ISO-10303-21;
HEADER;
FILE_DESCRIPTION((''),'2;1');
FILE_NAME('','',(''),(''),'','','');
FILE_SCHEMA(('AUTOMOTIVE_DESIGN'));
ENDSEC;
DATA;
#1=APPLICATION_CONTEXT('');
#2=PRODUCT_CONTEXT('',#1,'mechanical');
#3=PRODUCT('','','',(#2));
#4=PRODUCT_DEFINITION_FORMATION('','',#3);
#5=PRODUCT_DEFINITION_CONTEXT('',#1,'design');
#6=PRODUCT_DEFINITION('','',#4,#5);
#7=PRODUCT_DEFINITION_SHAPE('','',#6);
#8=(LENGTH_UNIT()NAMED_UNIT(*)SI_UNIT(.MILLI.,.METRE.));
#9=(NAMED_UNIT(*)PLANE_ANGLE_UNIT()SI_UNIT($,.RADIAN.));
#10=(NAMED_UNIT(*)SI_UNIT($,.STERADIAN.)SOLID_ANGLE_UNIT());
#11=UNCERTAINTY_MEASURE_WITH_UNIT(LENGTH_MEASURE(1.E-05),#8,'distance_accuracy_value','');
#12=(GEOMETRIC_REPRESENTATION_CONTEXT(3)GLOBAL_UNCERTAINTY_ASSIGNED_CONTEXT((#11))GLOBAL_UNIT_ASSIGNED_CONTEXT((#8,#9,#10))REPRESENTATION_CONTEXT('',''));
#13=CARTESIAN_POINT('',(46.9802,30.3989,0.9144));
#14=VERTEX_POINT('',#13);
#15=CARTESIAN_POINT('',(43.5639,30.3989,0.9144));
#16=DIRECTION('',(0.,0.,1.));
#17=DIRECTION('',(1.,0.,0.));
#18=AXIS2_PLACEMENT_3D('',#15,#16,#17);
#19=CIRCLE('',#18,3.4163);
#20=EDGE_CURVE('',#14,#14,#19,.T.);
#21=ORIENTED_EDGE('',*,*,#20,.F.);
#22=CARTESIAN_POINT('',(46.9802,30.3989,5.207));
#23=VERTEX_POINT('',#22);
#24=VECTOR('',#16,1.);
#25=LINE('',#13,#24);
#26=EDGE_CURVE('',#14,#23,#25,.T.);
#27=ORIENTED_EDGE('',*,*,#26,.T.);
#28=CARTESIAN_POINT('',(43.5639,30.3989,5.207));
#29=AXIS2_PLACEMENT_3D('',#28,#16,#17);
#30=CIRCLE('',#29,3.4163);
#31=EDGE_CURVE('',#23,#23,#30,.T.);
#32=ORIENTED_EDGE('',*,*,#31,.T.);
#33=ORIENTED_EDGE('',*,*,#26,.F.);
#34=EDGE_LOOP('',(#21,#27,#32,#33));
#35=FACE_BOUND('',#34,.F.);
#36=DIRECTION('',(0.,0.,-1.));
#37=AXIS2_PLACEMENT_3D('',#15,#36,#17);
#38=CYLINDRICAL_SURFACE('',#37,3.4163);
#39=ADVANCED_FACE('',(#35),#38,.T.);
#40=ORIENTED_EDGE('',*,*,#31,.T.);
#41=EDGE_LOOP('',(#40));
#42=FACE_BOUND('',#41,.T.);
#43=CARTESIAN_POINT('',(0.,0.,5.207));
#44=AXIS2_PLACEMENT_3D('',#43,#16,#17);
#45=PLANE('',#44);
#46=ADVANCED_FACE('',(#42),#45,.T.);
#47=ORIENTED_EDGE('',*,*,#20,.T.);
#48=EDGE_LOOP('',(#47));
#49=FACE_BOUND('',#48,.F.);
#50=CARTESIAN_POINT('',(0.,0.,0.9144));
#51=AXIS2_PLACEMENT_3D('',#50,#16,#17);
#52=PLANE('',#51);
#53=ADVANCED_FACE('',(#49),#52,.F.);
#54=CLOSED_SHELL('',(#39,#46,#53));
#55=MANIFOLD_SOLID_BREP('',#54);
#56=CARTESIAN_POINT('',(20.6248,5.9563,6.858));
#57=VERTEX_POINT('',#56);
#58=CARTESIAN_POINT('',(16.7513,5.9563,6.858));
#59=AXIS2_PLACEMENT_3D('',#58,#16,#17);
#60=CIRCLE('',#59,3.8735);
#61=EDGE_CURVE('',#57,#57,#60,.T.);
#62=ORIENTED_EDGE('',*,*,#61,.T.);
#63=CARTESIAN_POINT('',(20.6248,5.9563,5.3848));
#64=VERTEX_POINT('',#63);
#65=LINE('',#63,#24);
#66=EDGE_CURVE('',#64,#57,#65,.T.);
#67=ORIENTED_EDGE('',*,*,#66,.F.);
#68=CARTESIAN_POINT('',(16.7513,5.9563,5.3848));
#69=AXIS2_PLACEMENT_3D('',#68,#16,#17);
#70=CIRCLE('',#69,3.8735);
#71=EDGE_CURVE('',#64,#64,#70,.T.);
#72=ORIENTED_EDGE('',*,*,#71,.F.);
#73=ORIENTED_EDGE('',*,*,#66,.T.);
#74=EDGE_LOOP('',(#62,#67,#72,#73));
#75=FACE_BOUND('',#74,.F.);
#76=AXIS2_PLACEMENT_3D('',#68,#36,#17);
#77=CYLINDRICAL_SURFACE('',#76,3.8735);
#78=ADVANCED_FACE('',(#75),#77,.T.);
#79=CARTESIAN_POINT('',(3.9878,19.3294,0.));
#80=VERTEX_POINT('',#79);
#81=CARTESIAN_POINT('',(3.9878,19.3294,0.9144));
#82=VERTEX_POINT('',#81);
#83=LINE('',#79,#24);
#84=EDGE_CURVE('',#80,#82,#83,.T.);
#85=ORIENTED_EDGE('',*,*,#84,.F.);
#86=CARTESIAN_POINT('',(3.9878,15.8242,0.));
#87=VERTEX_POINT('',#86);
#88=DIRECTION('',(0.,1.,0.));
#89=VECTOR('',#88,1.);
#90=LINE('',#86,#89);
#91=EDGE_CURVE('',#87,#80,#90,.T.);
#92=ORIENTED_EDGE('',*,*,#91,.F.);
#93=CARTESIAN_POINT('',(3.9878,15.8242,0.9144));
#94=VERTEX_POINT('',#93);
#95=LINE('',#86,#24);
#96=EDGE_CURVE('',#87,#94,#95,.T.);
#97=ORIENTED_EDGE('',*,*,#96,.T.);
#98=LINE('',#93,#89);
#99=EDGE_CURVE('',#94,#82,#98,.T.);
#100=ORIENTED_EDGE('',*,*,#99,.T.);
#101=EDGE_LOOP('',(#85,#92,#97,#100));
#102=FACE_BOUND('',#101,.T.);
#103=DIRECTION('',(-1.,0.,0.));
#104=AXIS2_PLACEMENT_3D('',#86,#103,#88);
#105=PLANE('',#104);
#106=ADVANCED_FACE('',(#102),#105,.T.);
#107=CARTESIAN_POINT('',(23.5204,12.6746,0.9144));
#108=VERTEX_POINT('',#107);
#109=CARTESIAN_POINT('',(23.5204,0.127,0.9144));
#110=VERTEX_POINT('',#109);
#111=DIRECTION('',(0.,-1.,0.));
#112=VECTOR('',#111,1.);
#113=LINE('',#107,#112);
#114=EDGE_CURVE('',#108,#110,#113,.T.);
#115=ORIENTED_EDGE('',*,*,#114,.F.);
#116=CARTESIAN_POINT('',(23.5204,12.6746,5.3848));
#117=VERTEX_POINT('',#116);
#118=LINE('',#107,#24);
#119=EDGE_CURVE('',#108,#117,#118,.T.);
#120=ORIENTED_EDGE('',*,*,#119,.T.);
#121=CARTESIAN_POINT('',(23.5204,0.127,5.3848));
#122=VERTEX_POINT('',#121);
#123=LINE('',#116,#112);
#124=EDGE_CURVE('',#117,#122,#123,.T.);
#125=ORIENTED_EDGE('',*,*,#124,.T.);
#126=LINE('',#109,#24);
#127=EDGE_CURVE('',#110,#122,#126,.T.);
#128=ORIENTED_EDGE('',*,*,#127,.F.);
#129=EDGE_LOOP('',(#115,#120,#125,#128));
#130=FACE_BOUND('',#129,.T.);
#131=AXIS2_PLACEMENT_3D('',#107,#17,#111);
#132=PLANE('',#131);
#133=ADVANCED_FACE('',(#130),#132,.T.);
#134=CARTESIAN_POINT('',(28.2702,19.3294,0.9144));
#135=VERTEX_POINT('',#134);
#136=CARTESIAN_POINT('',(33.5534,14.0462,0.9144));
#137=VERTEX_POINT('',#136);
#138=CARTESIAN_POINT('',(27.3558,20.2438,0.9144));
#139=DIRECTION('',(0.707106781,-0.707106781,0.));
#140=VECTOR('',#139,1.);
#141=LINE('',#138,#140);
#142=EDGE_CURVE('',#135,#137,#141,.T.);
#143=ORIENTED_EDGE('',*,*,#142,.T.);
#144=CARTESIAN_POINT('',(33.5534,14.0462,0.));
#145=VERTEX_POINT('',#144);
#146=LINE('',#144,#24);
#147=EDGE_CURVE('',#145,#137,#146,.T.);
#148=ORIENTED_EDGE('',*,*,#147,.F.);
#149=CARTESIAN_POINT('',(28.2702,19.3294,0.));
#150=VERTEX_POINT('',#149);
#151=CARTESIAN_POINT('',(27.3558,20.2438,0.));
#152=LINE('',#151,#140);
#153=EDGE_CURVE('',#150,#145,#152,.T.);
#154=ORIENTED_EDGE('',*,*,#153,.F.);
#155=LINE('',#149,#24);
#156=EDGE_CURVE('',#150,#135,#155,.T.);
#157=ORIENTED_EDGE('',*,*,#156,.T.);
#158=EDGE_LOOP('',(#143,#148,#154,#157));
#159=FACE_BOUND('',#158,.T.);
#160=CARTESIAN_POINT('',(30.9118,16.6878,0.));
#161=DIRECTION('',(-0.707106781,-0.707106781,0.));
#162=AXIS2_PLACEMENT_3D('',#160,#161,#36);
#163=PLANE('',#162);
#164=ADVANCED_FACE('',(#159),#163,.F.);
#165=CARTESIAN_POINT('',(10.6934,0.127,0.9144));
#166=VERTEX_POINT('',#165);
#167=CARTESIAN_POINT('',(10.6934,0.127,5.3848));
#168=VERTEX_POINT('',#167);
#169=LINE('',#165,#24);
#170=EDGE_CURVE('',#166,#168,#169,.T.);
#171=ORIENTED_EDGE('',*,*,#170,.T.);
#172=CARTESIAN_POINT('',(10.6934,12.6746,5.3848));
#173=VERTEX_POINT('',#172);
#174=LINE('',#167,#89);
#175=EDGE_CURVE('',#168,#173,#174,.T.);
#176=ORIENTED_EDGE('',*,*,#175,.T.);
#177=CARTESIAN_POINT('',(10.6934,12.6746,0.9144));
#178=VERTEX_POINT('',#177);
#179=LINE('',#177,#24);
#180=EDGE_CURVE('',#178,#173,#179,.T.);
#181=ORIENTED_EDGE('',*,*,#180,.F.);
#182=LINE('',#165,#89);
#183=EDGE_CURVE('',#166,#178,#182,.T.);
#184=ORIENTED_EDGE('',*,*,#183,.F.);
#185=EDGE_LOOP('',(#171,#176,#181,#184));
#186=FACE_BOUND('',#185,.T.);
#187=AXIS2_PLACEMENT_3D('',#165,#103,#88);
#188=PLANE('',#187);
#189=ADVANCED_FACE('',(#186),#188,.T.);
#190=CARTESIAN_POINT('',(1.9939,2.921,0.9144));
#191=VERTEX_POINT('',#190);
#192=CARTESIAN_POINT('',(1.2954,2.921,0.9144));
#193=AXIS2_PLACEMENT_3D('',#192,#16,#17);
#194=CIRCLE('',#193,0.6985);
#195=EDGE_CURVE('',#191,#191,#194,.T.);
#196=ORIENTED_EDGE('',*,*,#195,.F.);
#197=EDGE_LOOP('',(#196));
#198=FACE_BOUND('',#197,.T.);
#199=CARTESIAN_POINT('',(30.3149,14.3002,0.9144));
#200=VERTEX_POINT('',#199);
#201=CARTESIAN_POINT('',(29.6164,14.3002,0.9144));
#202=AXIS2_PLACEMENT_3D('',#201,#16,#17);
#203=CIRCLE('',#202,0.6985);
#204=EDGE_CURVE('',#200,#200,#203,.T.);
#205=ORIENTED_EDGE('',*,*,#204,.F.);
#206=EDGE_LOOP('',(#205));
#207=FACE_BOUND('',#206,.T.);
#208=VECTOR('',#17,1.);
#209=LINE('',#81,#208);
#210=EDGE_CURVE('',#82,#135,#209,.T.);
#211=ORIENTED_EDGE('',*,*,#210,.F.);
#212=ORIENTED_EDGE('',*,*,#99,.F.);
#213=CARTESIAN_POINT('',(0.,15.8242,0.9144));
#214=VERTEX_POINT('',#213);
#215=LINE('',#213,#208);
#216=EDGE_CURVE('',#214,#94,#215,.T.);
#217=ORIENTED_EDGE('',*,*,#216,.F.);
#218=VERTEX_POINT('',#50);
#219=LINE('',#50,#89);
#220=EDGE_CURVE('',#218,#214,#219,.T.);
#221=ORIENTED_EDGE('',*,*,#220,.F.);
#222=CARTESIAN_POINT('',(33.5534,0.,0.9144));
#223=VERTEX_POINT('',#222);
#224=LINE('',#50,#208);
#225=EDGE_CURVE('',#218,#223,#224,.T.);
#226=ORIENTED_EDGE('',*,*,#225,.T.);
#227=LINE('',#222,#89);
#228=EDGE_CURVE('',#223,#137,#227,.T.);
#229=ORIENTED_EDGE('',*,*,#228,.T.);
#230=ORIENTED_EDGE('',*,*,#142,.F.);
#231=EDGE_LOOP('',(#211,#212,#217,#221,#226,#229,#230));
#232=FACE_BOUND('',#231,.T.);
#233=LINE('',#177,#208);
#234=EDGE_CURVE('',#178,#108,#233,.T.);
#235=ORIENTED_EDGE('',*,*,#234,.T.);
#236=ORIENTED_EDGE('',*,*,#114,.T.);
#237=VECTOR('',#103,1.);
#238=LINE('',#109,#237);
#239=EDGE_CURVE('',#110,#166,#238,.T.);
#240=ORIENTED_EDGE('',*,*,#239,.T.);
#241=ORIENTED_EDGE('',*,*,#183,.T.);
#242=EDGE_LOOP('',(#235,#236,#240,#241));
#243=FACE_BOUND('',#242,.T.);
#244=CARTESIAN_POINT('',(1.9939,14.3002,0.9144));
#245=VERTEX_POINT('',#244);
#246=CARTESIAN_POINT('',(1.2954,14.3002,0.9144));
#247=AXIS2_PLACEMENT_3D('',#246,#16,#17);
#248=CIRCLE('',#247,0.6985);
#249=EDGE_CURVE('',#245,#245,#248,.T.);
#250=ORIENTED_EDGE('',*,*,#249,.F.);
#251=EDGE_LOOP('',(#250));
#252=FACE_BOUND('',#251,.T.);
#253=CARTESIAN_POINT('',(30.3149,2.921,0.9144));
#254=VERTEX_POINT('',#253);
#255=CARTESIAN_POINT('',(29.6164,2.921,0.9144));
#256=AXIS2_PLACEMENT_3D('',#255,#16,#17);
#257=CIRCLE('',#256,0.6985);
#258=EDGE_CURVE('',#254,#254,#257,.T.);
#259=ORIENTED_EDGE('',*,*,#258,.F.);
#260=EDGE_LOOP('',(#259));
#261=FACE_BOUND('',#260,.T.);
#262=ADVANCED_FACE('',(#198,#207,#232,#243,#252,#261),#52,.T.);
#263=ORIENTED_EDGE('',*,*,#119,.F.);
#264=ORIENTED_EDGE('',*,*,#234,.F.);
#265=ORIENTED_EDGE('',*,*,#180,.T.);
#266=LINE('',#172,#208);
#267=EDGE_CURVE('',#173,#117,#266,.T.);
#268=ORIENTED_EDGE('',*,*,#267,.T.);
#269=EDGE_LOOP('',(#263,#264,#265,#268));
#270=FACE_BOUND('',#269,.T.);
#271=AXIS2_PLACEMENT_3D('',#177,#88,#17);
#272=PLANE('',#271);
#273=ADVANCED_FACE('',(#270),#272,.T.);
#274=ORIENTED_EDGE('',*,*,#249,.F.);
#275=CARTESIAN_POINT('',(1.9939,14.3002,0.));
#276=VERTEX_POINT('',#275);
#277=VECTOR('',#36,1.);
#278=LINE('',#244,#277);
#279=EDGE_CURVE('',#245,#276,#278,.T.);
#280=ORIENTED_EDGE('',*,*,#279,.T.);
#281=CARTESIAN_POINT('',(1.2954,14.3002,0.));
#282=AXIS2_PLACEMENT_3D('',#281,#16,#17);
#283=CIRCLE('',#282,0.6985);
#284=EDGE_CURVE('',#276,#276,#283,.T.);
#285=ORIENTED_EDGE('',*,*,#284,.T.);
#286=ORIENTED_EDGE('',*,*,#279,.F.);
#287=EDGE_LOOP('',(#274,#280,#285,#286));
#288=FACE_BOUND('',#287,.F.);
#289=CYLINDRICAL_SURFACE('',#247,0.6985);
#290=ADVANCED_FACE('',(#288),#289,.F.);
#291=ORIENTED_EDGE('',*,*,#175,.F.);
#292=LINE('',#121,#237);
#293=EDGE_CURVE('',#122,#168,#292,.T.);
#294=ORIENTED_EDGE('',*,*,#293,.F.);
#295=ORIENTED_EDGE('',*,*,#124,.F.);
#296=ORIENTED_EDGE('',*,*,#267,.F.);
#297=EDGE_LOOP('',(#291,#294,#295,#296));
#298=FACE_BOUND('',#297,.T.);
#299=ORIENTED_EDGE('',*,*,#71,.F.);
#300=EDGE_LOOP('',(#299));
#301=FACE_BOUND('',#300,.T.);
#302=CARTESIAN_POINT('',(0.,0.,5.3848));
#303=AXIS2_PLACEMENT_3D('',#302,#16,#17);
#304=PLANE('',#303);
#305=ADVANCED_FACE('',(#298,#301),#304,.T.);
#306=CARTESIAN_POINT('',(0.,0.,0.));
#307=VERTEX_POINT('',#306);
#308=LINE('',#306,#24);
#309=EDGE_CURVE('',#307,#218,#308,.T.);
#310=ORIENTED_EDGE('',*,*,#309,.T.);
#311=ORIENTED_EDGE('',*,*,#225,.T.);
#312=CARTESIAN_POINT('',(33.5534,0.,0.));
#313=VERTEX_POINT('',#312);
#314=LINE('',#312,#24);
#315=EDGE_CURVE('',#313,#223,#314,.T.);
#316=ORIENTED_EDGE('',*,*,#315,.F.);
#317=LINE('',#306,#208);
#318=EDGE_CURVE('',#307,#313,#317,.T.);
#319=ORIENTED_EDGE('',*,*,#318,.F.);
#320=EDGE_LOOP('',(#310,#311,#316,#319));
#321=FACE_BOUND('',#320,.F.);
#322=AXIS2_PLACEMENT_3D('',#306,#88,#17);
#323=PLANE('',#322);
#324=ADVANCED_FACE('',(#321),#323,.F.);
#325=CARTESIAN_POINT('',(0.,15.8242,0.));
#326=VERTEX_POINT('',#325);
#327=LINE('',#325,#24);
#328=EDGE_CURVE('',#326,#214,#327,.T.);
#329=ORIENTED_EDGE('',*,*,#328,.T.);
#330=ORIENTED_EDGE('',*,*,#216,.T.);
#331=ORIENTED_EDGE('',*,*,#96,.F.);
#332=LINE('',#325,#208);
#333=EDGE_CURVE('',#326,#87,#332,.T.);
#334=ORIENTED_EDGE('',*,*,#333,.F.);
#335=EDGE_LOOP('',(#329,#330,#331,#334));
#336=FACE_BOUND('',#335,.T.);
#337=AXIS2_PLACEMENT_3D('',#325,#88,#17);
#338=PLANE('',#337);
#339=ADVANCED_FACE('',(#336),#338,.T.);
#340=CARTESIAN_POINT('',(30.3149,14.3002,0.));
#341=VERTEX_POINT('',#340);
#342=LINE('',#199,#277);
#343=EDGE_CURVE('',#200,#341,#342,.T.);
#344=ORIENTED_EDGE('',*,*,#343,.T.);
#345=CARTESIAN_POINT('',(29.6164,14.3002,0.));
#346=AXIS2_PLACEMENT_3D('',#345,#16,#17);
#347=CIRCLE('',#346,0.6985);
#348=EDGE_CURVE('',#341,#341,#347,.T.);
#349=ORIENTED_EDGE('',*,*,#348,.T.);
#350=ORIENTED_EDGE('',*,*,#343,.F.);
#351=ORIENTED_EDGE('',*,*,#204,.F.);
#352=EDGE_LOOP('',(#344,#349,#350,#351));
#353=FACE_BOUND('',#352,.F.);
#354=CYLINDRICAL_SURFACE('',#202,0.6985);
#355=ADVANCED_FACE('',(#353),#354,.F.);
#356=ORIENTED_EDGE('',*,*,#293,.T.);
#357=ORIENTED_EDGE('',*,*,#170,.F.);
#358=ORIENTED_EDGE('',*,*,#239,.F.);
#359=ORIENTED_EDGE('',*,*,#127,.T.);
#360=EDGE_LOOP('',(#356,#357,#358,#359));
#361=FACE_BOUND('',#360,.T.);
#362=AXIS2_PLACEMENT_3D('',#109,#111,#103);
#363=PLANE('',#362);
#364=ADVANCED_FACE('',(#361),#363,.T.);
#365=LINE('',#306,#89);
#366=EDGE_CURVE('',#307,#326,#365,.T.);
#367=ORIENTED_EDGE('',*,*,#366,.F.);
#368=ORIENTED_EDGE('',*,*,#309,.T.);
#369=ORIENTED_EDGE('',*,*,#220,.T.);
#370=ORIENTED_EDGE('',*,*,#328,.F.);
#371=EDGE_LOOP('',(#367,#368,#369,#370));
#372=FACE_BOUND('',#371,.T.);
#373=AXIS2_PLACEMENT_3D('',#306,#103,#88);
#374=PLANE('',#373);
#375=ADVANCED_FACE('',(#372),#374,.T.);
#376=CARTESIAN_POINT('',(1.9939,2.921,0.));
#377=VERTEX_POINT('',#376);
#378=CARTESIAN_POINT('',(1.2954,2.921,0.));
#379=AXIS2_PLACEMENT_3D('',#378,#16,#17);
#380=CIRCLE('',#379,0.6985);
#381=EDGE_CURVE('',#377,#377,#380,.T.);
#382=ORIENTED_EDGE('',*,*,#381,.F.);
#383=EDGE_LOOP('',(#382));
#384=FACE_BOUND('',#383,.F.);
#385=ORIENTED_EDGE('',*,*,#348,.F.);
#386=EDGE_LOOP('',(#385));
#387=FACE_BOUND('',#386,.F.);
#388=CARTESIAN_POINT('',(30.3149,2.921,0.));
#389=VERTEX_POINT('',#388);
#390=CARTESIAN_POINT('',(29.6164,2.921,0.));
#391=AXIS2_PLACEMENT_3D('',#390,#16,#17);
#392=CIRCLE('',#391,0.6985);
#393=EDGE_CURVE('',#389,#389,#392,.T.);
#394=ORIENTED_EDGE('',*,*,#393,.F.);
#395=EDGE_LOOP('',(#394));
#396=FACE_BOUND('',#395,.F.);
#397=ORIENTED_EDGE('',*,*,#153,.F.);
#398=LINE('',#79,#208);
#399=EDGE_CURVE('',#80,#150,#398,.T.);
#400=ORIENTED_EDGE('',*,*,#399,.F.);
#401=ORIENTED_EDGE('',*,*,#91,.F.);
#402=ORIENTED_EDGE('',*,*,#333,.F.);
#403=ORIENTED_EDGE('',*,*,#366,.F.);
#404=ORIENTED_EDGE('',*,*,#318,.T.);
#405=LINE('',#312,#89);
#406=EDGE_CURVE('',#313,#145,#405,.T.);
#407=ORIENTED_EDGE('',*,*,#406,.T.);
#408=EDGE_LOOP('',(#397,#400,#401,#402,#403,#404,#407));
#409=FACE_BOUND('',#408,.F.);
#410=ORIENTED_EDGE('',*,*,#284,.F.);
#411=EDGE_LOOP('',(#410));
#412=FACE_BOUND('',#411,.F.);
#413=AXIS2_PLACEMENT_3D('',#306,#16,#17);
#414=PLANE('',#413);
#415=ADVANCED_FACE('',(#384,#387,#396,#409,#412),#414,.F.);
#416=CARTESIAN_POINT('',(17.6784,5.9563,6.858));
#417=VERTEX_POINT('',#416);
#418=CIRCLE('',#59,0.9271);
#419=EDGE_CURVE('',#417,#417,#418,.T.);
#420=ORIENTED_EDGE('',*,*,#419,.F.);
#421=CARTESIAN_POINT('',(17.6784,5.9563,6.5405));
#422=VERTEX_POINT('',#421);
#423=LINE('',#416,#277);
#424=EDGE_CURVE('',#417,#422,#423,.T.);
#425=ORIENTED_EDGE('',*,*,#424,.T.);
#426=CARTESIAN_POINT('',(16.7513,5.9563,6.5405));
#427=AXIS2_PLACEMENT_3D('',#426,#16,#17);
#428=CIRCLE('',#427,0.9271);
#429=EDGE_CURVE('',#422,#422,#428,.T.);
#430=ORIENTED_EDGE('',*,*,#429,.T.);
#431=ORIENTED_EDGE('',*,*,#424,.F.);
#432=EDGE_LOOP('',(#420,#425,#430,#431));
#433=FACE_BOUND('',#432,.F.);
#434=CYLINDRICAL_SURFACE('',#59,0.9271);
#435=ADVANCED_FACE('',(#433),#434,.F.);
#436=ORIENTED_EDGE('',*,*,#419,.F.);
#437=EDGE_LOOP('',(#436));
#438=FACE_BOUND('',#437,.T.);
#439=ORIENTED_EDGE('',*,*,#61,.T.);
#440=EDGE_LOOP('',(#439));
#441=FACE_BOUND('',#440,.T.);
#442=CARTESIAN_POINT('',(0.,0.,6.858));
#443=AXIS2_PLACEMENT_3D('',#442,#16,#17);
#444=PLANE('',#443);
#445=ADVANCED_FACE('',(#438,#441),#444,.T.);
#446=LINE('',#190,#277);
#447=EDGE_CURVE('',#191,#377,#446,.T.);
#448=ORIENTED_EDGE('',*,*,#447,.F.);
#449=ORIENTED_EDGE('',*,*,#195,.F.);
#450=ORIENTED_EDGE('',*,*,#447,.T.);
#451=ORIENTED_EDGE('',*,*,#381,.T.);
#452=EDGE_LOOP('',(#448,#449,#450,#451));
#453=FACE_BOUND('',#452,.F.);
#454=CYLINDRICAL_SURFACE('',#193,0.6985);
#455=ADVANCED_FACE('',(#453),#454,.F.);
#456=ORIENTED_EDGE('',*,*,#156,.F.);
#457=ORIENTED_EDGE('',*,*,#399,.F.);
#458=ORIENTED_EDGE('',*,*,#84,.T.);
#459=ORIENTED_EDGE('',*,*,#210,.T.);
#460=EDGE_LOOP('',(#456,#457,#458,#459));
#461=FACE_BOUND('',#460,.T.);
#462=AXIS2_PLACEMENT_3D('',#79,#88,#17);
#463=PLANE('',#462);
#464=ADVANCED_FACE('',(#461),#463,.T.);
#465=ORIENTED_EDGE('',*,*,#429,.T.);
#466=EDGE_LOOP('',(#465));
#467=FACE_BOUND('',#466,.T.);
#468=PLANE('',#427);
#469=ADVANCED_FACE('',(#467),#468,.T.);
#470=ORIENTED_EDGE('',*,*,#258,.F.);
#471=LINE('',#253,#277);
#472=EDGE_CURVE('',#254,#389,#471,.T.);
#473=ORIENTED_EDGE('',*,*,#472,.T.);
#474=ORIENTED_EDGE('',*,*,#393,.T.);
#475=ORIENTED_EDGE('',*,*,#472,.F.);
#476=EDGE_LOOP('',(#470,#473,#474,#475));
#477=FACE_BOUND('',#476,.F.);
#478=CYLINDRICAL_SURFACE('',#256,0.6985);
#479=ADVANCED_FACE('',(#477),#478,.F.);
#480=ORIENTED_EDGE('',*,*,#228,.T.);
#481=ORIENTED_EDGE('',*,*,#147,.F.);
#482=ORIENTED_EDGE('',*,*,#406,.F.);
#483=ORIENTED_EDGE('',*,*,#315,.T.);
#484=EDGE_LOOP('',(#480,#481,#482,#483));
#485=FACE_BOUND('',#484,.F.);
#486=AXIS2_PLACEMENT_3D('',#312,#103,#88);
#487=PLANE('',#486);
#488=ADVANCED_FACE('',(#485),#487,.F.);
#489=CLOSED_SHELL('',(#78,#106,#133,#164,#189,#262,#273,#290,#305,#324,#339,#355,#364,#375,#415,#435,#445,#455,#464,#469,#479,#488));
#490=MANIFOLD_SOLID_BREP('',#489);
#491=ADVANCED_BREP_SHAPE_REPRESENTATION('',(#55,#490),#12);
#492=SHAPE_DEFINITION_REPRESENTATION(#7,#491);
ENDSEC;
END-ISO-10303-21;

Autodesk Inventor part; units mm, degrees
ref_plane "YZ Plane" through (0, 0, 0) normal (1, 0, 0) x (0, 1, 0)
ref_plane "XZ Plane" through (0, 0, 0) normal (0, 1, 0) x (-1, 0, 0)
ref_plane "XY Plane" through (0, 0, 0) normal (0, 0, 1) x (1, 0, 0)
sketch "Sketch1" plane through (0, 0, 0) normal (0, 0, 1) x (1, 0, 0)
  line L0 (0, 0) -> (33.5534, 0)
  line L1 (33.5534, 0) -> (33.5534, 19.3294)
  line L2 (0, 0) -> (0, 15.8242)
  line L3 (0, 15.8242) -> (3.9878, 15.8242)
  line L4 (3.9878, 15.8242) -> (3.9878, 19.3294)
  line L5 (3.9878, 19.3294) -> (33.5534, 19.3294)
  dimension "d0" = 33.5534
  dimension "d2" = 15.8242
  dimension "d3" = 3.9878
  dimension "d4" = 3.5052
extrude "Extrusion1" add sketch "Sketch1" along normal blind 0.9144
chamfer "Chamfer1" distance 5.2832 angle 45 1 edges at (33.5534, 19.3294, 0.4572)
sketch "Sketch2" plane through (0, 0, 0.9144) normal (0, 0, 1) x (1, 0, 0)
  line L0 (10.6934, 12.6746) -> (23.5204, 12.6746)
  line L1 (23.5204, 12.6746) -> (23.5204, 0.127)
  line L2 (23.5204, 0.127) -> (10.6934, 0.127)
  line L3 (10.6934, 0.127) -> (10.6934, 12.6746)
  line L4 (0, 15.8242) -> (0, 0) projected
  line L5 (28.2702, 19.3294) -> (3.9878, 19.3294) projected
  dimension "d11" = 12.5476
  dimension "d12" = 12.827
  dimension "d13" = 10.6934
  dimension "d14" = 6.6548
extrude "Extrusion2" add sketch "Sketch2" along normal blind 4.4704
sketch "Sketch3" plane through (0, 0, 5.3848) normal (0, 0, 1) x (1, 0, 0)
  circle A0 centre (16.7513, 5.9563) radius 3.8735
  line L0 (23.5204, 12.6746) -> (10.6934, 12.6746) projected
  line L1 (23.5204, 12.6746) -> (10.6934, 12.6746) projected
  line L2 (10.6934, 12.6746) -> (10.6934, 0.127) projected
  line L3 (10.6934, 0.127) -> (23.5204, 0.127) projected
  line L4 (23.5204, 0.127) -> (23.5204, 12.6746) projected
  point P0 (0, 0)
  dimension "d17" = 7.747
  dimension "d18" = 2.8448
  dimension "d19" = 2.1844
extrude "Extrusion3" add sketch "Sketch3" along normal blind 1.4732 contours A0
sketch "Sketch4" plane through (16.7513, 5.9563, 6.858) normal (0, 0, 1) x (1, 0, 0)
  circle A0 centre (0, 0) radius 0.9271
  circle A1 centre (0, 0) radius 3.8735 projected
  point P0 (-16.7513, -5.9563)
  dimension "d22" = 1.8542
sketch "Sketch5" plane through (0, 0, 0.9144) normal (0, 0, 1) x (1, 0, 0)
  circle A0 centre (1.2954, 14.3002) radius 0.6985
  line L0 (0, 15.8242) -> (0, 0) projected
  line L1 (3.9878, 15.8242) -> (0, 15.8242) projected
  dimension "d25" = 1.397
  dimension "d26" = 1.2954
  dimension "d27" = 1.524
extrude "Extrusion4" cut sketch "Sketch5" against normal through all
pattern_linear "Rectangular Pattern1" count 2 spacing 28.321 along (1, 0, 0) count 2 spacing 11.3792 along (0, -1, 0) of "Extrusion4"
sketch "Sketch6" plane through (0, 0, 0.9144) normal (0, 0, 1) x (1, 0, 0)
  circle A0 centre (43.5639, 30.3989) radius 3.4163
  circle A1 centre (29.6164, 14.3002) radius 0.6985 projected
  line L0 (41.7156, 36.5328) -> (55.0845, 24.9094) construction
  line L1 (34.1294, 34.0359) -> (52.5388, 18.129) construction
  point P0 (0, 0)
  point P1 (27.6891, 12.6669)
  dimension "d36" = 6.8326
extrude "Extrusion5" add sketch "Sketch6" along normal blind 4.2926 contours A0
extrude "Extrusion13" cut sketch "Sketch4" against normal blind 0.3175 contours A0
ref_plane "Work Plane2" through (16.7513, 5.9563, 6.858) normal (0, -1, 0) x (0, 0, -1)
ref_plane "Work Plane1" through (16.7513, 5.9563, 6.858) normal (1, 0, 0) x (0, 0, -1)
properties part number "Camera"
